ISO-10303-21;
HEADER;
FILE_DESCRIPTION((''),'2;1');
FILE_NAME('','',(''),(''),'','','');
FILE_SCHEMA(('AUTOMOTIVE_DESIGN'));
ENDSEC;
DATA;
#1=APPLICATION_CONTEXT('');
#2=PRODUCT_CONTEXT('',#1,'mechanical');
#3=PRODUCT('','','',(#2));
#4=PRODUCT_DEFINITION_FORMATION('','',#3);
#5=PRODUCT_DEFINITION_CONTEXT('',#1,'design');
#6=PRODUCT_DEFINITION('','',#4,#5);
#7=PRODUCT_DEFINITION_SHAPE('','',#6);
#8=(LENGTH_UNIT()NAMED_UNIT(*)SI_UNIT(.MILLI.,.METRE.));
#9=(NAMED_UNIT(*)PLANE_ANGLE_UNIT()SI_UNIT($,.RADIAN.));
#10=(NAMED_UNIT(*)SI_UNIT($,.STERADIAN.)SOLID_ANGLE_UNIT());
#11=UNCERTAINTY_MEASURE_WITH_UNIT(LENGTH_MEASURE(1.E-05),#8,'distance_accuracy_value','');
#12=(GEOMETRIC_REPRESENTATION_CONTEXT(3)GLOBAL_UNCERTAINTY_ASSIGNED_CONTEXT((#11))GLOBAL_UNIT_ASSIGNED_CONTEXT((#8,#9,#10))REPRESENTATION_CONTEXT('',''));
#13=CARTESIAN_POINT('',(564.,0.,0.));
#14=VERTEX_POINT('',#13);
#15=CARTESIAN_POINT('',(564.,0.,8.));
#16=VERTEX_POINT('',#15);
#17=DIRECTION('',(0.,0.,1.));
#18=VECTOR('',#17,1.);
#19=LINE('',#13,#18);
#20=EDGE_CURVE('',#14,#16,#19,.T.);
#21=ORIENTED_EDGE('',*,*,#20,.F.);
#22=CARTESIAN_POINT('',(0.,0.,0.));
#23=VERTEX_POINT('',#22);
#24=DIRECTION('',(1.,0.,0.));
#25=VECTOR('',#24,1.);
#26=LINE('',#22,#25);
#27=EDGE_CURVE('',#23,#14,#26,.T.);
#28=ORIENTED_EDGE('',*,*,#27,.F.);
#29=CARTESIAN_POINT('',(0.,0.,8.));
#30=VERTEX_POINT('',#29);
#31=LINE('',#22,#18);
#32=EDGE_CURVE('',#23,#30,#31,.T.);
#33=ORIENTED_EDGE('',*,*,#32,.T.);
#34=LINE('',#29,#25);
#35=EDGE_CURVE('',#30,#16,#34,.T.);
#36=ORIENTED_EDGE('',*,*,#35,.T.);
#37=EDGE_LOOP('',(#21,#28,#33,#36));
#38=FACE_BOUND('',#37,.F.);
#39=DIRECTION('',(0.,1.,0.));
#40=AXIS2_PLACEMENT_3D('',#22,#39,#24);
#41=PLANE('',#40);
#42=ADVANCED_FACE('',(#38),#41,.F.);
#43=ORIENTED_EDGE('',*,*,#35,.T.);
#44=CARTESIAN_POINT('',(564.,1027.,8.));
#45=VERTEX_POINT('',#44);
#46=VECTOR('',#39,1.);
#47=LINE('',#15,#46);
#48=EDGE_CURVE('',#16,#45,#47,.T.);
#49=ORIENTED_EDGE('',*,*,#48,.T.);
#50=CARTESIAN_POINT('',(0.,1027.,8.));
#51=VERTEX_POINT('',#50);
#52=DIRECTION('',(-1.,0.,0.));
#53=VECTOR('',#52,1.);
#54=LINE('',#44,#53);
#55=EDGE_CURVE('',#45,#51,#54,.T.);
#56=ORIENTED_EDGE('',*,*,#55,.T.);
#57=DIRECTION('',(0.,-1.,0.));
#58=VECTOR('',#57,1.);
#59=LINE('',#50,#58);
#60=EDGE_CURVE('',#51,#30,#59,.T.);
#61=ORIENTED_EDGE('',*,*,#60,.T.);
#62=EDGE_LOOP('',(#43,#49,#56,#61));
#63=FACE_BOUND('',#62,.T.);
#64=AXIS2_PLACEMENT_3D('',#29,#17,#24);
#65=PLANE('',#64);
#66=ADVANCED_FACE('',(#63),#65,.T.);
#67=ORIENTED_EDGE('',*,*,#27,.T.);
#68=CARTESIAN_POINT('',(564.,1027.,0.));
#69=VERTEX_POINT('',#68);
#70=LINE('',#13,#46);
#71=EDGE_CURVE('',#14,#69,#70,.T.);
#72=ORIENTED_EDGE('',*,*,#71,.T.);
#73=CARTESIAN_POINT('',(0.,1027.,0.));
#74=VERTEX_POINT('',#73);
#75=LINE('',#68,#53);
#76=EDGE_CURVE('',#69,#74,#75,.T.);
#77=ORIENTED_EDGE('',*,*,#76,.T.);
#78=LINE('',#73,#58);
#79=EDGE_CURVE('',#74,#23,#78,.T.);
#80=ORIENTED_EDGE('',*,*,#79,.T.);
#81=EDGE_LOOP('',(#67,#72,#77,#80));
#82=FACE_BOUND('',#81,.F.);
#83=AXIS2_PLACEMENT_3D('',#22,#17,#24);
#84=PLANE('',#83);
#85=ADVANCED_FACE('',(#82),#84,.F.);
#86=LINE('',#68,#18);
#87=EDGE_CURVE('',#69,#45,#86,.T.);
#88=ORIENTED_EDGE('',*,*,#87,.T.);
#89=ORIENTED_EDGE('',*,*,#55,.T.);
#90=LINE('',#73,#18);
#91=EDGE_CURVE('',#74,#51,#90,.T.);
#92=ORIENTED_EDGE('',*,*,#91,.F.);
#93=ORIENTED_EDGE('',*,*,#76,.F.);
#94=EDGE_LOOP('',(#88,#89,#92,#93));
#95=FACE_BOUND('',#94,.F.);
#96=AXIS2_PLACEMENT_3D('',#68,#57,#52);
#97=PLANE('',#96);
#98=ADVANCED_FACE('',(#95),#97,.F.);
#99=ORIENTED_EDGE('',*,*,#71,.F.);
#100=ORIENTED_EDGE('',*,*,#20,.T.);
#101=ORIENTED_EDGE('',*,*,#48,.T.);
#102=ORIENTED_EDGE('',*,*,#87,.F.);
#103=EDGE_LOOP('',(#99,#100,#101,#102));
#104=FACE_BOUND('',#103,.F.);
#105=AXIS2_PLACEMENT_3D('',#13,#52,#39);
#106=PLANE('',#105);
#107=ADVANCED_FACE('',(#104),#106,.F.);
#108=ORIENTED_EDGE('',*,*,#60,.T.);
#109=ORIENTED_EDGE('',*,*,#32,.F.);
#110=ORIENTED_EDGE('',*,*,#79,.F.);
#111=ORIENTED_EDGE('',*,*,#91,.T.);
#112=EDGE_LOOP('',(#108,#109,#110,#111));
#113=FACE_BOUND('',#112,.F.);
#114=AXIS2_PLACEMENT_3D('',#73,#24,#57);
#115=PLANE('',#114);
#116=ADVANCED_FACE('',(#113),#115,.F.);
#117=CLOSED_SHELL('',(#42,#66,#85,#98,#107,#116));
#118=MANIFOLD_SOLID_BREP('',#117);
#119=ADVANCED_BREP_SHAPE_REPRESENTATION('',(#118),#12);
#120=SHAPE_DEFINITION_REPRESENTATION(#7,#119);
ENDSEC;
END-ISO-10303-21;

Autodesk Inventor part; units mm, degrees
ref_plane "YZ Plane" through (0, 0, 0) normal (1, 0, 0) x (0, 1, 0)
ref_plane "XZ Plane" through (0, 0, 0) normal (0, 1, 0) x (-1, 0, 0)
ref_plane "XY Plane" through (0, 0, 0) normal (0, 0, 1) x (1, 0, 0)
sketch "Sketch1" plane through (0, 0, 0) normal (0, 0, 1) x (1, 0, 0)
  line L0 (0, 0) -> (564, 0)
  line L1 (564, 0) -> (564, 1027)
  line L2 (564, 1027) -> (0, 1027)
  line L3 (0, 1027) -> (0, 0)
  dimension "d0" = 564
  dimension "d1" = 1027
extrude "Extrusion1" add sketch "Sketch1" along normal blind 8
properties part number "compressor door" material "Polycarbonate, Smoke"
